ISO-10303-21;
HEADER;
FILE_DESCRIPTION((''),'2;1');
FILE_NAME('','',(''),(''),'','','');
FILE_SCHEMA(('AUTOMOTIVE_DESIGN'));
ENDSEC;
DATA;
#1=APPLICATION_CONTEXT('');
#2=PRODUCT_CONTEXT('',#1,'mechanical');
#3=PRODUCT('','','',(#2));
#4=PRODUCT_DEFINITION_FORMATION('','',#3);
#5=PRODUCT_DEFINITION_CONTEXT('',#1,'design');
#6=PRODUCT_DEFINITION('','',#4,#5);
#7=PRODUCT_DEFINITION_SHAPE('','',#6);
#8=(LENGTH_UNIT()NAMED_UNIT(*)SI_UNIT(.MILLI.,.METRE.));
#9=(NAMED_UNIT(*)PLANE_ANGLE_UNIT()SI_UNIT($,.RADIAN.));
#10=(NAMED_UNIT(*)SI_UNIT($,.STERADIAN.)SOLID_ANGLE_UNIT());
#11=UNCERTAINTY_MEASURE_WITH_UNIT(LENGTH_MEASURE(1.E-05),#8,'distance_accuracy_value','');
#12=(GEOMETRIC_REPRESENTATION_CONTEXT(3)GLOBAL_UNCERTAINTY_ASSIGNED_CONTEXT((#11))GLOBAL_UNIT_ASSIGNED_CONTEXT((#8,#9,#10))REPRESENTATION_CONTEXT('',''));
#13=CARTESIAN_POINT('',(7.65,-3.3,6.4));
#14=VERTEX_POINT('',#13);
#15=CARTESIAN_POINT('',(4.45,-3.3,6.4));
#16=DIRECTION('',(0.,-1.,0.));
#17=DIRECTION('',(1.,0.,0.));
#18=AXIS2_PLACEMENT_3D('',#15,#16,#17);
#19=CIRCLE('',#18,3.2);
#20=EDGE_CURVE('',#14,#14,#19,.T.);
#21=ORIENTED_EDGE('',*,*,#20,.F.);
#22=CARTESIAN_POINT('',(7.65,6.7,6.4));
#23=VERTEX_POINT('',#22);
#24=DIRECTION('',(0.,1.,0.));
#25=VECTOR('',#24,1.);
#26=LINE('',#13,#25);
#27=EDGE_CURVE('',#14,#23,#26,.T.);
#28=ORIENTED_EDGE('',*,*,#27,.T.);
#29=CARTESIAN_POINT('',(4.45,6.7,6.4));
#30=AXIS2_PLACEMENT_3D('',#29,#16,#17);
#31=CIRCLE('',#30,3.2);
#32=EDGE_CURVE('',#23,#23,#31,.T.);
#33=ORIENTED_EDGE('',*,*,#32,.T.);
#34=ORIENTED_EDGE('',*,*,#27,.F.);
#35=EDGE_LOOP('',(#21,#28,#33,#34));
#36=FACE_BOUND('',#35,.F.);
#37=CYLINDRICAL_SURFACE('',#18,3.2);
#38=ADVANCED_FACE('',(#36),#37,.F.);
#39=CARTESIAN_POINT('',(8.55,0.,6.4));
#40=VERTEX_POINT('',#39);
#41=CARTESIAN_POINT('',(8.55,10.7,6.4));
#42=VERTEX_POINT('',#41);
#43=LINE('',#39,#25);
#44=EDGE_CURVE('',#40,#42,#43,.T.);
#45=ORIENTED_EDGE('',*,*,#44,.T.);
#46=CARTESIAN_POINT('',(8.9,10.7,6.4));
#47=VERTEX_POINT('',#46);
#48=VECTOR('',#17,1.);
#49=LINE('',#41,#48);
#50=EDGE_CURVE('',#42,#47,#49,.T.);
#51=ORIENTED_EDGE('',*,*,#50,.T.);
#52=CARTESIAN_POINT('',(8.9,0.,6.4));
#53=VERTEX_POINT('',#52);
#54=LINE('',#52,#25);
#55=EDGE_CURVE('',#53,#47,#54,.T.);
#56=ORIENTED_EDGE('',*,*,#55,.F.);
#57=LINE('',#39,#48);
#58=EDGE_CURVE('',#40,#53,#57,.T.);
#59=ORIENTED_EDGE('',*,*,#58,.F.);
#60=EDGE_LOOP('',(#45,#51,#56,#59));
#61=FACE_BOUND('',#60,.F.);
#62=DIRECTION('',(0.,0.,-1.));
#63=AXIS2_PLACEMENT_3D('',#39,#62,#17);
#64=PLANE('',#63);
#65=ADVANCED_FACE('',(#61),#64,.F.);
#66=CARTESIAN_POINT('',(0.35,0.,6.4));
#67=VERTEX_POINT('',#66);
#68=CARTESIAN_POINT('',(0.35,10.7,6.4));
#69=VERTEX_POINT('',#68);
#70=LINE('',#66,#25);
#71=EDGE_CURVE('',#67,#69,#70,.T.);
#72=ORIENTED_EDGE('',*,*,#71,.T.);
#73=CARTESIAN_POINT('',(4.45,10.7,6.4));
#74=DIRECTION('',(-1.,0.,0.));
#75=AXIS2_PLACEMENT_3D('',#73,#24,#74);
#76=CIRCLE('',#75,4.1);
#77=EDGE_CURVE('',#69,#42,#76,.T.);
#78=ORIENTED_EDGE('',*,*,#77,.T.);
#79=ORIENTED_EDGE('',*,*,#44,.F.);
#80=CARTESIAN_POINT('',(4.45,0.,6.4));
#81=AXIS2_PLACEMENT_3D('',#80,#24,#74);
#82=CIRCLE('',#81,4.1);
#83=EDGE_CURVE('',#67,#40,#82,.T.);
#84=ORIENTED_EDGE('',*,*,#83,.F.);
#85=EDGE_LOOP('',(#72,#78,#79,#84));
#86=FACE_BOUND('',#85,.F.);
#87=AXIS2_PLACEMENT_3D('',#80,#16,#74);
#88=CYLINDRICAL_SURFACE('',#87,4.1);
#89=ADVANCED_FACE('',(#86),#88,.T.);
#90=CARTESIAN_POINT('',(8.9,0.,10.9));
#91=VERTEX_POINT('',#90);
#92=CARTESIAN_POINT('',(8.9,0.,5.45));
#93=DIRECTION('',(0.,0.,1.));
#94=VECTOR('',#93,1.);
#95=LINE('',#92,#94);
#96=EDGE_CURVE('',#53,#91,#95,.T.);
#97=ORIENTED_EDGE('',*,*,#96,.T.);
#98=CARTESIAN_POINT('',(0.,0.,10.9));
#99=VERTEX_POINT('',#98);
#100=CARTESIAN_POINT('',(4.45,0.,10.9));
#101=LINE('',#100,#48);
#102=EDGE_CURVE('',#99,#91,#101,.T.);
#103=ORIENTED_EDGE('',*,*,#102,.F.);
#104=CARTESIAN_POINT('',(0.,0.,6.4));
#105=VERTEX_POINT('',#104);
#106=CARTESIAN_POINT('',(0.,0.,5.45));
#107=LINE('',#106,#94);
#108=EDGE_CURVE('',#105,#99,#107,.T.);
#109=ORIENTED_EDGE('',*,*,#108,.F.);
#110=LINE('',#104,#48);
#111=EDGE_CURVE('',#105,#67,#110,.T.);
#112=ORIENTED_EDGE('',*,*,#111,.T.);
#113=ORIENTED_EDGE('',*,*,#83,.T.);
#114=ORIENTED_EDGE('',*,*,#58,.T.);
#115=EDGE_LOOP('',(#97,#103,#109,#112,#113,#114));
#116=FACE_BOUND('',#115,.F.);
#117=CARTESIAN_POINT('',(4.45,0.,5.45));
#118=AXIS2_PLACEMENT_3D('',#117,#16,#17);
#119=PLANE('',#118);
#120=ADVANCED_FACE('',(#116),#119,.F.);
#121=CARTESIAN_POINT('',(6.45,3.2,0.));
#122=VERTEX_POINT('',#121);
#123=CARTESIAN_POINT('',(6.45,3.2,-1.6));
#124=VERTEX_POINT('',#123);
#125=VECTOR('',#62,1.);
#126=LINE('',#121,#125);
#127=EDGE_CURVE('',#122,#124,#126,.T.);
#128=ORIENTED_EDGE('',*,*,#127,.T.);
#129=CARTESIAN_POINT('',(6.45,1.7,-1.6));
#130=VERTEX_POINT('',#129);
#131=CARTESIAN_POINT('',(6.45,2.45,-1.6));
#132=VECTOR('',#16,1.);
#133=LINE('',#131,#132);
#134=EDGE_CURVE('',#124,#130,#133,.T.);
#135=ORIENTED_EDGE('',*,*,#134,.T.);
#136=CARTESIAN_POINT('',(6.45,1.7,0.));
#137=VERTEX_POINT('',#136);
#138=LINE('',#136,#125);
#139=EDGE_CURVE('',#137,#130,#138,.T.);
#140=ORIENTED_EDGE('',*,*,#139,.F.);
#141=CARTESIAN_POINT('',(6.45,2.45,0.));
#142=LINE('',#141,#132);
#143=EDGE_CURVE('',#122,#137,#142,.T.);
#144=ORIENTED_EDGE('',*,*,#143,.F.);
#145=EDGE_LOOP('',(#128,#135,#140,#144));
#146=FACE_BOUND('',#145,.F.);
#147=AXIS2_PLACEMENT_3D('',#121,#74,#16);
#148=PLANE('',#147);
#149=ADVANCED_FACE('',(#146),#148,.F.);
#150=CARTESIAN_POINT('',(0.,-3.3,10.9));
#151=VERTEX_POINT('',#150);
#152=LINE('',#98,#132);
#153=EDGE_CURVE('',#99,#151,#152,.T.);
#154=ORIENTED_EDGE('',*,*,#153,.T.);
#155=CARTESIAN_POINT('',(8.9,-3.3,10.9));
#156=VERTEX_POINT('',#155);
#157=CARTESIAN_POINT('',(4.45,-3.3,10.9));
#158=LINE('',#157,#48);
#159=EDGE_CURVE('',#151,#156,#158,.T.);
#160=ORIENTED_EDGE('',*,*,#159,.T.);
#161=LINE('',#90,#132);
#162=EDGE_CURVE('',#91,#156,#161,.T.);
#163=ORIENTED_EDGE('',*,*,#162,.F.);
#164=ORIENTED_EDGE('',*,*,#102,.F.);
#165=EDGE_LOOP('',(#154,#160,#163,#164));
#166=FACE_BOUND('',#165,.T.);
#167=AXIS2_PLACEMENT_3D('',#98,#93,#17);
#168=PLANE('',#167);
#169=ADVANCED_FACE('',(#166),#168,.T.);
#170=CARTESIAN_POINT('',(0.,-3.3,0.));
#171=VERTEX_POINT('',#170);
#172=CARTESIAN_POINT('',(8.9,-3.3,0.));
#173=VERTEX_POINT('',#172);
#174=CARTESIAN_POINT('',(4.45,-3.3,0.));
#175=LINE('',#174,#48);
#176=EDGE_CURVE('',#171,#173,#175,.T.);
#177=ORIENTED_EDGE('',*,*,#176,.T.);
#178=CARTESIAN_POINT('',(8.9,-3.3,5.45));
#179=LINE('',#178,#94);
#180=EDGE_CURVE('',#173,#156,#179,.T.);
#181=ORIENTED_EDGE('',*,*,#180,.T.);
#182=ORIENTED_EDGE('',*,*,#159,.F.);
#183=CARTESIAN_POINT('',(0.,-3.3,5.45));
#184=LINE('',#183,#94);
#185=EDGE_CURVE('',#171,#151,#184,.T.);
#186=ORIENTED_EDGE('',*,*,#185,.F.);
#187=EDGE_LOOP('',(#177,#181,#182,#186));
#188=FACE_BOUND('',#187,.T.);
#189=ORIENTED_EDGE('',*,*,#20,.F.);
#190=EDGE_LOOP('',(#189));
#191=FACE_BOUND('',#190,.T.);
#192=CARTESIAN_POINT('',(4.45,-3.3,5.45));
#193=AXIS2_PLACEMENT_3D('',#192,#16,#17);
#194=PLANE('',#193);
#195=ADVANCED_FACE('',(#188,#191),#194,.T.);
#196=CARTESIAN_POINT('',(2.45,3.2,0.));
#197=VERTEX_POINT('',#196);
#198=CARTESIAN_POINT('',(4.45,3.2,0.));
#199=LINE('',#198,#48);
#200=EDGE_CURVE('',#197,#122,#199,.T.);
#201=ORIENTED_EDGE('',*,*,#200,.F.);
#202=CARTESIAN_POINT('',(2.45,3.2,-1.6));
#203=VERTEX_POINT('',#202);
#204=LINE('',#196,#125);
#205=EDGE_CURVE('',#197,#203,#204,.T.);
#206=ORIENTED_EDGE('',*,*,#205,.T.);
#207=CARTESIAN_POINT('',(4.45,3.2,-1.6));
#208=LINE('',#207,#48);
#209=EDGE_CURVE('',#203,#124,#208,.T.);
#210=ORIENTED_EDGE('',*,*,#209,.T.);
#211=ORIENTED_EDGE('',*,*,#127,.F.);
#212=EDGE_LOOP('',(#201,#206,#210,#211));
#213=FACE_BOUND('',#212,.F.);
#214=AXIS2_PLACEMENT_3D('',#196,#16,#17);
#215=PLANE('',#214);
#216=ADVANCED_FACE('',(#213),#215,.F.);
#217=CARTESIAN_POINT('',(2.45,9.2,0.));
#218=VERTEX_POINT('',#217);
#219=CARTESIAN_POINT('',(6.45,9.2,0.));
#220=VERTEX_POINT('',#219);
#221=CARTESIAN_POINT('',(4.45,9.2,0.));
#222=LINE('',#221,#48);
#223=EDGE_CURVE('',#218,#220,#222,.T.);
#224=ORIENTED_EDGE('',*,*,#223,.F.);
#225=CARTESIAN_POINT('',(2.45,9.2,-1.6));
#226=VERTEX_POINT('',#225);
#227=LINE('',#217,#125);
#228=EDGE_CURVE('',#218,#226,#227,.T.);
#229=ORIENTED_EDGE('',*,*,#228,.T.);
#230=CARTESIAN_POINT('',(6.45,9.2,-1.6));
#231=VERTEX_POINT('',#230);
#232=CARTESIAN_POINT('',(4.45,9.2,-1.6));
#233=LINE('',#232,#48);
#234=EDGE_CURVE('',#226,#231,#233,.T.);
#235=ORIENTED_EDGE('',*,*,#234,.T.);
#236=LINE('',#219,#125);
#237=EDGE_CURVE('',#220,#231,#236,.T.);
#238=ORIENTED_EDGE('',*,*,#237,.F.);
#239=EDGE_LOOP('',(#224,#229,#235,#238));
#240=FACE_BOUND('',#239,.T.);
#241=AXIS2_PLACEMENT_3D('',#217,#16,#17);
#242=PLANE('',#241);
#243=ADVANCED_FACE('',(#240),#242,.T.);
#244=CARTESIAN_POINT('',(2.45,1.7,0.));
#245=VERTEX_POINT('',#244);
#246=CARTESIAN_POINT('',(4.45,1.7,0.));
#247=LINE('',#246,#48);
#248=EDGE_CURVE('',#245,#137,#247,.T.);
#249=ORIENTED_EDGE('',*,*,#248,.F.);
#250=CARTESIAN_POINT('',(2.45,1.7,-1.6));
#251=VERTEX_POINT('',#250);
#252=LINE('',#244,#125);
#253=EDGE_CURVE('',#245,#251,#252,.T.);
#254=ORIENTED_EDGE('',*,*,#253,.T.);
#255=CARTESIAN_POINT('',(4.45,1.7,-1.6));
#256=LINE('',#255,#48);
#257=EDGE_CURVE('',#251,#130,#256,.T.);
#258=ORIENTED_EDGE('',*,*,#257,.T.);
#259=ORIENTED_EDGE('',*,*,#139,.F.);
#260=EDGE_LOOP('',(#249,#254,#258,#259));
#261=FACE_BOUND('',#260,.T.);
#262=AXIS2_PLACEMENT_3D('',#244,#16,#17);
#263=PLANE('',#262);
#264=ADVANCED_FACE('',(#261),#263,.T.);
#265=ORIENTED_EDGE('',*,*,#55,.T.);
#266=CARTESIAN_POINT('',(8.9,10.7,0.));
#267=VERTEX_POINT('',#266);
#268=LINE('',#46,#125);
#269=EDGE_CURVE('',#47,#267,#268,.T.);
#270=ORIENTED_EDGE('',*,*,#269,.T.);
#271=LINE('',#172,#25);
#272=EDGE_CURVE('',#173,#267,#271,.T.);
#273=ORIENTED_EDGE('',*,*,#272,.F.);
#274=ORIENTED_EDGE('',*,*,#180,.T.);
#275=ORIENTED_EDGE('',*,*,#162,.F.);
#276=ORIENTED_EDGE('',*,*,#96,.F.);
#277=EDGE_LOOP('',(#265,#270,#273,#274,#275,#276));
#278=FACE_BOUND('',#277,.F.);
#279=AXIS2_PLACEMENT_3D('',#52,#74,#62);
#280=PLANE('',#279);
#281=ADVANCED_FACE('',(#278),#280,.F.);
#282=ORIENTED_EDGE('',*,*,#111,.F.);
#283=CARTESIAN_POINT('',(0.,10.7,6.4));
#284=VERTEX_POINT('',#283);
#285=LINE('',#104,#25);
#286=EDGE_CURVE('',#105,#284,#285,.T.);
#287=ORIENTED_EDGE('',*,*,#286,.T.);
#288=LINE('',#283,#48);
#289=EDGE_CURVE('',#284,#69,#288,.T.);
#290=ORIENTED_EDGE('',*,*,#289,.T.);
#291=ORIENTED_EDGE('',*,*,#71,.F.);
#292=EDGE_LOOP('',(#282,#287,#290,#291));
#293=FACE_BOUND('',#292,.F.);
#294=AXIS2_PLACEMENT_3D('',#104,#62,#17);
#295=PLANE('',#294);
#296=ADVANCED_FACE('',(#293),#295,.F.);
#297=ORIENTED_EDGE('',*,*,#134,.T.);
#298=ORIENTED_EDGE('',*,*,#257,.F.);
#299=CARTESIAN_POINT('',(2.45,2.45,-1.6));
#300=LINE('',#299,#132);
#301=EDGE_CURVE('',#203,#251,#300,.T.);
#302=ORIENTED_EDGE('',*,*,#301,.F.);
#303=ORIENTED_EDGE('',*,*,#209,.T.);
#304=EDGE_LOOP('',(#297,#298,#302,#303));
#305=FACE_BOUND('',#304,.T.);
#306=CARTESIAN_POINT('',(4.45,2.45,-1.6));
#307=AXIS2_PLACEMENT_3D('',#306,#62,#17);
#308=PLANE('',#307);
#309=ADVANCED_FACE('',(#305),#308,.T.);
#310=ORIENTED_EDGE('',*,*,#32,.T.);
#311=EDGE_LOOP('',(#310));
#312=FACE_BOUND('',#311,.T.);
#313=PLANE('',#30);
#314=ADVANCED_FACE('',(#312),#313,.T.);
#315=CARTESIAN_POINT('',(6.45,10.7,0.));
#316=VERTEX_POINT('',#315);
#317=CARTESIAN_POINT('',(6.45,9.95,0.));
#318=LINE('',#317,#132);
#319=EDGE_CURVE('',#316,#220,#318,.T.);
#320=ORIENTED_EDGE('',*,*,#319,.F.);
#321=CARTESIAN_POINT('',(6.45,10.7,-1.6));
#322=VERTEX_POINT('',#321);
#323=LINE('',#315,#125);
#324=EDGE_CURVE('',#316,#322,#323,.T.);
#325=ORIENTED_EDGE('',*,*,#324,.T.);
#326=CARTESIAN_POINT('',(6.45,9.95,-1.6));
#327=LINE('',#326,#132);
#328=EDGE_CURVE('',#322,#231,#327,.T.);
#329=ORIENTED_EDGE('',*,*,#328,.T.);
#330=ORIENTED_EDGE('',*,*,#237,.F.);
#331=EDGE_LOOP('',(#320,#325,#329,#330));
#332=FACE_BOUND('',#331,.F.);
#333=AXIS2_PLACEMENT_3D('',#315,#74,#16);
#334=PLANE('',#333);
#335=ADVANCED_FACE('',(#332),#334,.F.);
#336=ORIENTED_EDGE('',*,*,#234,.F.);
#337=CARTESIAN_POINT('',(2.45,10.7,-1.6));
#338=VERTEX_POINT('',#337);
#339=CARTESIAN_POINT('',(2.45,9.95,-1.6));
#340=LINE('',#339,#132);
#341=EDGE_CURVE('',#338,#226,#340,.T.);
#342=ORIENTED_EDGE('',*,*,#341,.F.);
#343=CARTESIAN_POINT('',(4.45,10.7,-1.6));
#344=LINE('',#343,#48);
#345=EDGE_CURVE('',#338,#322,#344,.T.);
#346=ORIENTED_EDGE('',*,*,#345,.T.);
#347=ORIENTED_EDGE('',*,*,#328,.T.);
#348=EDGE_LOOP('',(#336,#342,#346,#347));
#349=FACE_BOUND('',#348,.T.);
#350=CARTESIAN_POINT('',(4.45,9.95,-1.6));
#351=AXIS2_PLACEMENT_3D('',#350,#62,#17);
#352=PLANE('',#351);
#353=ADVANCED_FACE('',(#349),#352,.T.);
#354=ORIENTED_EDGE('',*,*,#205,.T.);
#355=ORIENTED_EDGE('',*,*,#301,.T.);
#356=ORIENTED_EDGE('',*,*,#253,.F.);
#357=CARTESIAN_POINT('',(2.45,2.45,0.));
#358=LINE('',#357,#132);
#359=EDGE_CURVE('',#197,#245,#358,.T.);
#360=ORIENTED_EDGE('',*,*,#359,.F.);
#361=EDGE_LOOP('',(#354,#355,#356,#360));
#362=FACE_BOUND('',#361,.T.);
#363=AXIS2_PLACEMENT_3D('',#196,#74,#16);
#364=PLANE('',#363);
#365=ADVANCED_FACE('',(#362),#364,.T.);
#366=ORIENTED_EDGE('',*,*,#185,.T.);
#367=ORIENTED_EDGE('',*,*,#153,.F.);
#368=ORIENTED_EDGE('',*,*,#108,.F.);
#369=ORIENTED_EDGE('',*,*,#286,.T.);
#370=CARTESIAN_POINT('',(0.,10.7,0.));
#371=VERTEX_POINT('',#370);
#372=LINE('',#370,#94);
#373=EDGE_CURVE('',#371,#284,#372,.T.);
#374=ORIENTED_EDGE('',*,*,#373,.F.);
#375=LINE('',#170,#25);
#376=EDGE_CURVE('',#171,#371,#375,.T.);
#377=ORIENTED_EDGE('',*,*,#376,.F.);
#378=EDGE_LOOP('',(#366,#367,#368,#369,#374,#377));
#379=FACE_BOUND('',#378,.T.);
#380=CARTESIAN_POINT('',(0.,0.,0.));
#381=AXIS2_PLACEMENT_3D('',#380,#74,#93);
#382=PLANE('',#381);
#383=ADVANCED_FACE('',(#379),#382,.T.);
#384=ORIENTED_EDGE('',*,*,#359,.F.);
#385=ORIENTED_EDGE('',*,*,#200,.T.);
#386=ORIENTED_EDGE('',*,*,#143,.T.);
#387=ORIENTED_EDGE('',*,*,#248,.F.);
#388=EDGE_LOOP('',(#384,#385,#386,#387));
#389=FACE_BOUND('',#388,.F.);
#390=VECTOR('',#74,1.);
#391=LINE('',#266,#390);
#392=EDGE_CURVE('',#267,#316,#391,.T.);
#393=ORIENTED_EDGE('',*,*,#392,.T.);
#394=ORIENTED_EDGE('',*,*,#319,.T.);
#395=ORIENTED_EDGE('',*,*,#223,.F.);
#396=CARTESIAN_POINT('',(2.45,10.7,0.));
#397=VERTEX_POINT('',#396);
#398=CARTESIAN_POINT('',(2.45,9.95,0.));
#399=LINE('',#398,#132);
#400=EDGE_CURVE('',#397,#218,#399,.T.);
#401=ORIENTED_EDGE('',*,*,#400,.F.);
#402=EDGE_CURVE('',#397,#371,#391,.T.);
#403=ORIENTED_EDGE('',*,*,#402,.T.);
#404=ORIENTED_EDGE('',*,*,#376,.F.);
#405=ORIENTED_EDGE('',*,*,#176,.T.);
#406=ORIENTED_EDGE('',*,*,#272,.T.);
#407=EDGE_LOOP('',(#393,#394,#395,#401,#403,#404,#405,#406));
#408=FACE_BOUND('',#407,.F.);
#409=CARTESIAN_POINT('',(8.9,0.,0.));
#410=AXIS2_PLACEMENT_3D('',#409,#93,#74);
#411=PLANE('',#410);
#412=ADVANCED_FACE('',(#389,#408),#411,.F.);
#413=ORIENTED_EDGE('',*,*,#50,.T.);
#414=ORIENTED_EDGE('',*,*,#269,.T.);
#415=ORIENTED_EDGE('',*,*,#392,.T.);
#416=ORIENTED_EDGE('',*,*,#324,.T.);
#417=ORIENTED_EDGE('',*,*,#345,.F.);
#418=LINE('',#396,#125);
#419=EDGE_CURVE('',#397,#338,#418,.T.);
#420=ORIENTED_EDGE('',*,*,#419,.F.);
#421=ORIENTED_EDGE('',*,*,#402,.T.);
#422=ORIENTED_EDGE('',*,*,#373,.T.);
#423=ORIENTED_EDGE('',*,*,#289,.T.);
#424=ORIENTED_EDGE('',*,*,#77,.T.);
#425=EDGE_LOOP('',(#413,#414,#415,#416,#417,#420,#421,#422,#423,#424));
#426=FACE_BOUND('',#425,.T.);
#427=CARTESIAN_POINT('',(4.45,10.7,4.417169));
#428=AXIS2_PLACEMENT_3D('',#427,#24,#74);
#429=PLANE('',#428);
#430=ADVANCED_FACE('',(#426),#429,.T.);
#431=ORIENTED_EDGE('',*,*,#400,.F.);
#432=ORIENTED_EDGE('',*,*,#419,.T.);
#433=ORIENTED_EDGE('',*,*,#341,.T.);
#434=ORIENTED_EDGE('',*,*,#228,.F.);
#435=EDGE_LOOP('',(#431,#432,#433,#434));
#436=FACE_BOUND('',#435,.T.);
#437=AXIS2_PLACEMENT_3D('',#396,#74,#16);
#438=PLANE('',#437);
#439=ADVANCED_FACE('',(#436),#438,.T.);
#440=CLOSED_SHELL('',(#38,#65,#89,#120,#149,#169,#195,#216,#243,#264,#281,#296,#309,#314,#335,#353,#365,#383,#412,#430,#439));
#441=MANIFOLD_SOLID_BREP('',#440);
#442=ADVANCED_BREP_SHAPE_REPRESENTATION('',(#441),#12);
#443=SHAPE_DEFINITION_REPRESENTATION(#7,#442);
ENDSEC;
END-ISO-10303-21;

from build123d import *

# Parameters (mm, degrees)
F0_W     = 8.9
F0_H     = 10.9
F1_DEPTH = 3.3
F3_DEPTH = 10.7
F4_R     = 3.2
F5_DEPTH = 10
F6_W     = 4
F6_H     = 1.5
F7_DEPTH = 1.6


with BuildPart() as f1:
    # F0 (on Front) → F1 (new body)
    with BuildSketch(Plane.XZ):
        with Locations((4.45, 5.45)):
            Rectangle(F0_W, F0_H)
    extrude(amount=F1_DEPTH)

    # F2 (on face) → F3 (join)
    with BuildSketch(Plane(origin=(0, 0, 0), x_dir=(-1, 0, 0), z_dir=(0, 1, 0))):
        with BuildLine():
            Line((-8.55, 6.4), (-8.9, 6.4))
            Line((-8.9, 6.4), (-8.9, 0))
            Line((-8.9, 0), (0, 0))
            Line((0, 0), (0, 6.4))
            Line((0, 6.4), (-0.35, 6.4))
            ThreePointArc((-0.35, 6.4), (-4.45, 10.5), (-8.55, 6.4))
        make_face()
    extrude(amount=F3_DEPTH)

    # F4 (on face) → F5 (cut)
    with BuildSketch(Plane.XZ.offset(3.3)):
        with Locations((4.45, 6.4)):
            Circle(F4_R)
    extrude(amount=-F5_DEPTH, mode=Mode.SUBTRACT)

    # F6 (on face) → F7 (join)
    with BuildSketch(Plane(origin=(0, 0, 0), x_dir=(1, 0, 0), z_dir=(0, 0, -1))):
        with Locations((4.45, -2.45)):
            Rectangle(F6_W, F6_H)
        with Locations((4.45, -9.95)):
            Rectangle(F6_W, F6_H)
    extrude(amount=F7_DEPTH)


solid = f1.part
